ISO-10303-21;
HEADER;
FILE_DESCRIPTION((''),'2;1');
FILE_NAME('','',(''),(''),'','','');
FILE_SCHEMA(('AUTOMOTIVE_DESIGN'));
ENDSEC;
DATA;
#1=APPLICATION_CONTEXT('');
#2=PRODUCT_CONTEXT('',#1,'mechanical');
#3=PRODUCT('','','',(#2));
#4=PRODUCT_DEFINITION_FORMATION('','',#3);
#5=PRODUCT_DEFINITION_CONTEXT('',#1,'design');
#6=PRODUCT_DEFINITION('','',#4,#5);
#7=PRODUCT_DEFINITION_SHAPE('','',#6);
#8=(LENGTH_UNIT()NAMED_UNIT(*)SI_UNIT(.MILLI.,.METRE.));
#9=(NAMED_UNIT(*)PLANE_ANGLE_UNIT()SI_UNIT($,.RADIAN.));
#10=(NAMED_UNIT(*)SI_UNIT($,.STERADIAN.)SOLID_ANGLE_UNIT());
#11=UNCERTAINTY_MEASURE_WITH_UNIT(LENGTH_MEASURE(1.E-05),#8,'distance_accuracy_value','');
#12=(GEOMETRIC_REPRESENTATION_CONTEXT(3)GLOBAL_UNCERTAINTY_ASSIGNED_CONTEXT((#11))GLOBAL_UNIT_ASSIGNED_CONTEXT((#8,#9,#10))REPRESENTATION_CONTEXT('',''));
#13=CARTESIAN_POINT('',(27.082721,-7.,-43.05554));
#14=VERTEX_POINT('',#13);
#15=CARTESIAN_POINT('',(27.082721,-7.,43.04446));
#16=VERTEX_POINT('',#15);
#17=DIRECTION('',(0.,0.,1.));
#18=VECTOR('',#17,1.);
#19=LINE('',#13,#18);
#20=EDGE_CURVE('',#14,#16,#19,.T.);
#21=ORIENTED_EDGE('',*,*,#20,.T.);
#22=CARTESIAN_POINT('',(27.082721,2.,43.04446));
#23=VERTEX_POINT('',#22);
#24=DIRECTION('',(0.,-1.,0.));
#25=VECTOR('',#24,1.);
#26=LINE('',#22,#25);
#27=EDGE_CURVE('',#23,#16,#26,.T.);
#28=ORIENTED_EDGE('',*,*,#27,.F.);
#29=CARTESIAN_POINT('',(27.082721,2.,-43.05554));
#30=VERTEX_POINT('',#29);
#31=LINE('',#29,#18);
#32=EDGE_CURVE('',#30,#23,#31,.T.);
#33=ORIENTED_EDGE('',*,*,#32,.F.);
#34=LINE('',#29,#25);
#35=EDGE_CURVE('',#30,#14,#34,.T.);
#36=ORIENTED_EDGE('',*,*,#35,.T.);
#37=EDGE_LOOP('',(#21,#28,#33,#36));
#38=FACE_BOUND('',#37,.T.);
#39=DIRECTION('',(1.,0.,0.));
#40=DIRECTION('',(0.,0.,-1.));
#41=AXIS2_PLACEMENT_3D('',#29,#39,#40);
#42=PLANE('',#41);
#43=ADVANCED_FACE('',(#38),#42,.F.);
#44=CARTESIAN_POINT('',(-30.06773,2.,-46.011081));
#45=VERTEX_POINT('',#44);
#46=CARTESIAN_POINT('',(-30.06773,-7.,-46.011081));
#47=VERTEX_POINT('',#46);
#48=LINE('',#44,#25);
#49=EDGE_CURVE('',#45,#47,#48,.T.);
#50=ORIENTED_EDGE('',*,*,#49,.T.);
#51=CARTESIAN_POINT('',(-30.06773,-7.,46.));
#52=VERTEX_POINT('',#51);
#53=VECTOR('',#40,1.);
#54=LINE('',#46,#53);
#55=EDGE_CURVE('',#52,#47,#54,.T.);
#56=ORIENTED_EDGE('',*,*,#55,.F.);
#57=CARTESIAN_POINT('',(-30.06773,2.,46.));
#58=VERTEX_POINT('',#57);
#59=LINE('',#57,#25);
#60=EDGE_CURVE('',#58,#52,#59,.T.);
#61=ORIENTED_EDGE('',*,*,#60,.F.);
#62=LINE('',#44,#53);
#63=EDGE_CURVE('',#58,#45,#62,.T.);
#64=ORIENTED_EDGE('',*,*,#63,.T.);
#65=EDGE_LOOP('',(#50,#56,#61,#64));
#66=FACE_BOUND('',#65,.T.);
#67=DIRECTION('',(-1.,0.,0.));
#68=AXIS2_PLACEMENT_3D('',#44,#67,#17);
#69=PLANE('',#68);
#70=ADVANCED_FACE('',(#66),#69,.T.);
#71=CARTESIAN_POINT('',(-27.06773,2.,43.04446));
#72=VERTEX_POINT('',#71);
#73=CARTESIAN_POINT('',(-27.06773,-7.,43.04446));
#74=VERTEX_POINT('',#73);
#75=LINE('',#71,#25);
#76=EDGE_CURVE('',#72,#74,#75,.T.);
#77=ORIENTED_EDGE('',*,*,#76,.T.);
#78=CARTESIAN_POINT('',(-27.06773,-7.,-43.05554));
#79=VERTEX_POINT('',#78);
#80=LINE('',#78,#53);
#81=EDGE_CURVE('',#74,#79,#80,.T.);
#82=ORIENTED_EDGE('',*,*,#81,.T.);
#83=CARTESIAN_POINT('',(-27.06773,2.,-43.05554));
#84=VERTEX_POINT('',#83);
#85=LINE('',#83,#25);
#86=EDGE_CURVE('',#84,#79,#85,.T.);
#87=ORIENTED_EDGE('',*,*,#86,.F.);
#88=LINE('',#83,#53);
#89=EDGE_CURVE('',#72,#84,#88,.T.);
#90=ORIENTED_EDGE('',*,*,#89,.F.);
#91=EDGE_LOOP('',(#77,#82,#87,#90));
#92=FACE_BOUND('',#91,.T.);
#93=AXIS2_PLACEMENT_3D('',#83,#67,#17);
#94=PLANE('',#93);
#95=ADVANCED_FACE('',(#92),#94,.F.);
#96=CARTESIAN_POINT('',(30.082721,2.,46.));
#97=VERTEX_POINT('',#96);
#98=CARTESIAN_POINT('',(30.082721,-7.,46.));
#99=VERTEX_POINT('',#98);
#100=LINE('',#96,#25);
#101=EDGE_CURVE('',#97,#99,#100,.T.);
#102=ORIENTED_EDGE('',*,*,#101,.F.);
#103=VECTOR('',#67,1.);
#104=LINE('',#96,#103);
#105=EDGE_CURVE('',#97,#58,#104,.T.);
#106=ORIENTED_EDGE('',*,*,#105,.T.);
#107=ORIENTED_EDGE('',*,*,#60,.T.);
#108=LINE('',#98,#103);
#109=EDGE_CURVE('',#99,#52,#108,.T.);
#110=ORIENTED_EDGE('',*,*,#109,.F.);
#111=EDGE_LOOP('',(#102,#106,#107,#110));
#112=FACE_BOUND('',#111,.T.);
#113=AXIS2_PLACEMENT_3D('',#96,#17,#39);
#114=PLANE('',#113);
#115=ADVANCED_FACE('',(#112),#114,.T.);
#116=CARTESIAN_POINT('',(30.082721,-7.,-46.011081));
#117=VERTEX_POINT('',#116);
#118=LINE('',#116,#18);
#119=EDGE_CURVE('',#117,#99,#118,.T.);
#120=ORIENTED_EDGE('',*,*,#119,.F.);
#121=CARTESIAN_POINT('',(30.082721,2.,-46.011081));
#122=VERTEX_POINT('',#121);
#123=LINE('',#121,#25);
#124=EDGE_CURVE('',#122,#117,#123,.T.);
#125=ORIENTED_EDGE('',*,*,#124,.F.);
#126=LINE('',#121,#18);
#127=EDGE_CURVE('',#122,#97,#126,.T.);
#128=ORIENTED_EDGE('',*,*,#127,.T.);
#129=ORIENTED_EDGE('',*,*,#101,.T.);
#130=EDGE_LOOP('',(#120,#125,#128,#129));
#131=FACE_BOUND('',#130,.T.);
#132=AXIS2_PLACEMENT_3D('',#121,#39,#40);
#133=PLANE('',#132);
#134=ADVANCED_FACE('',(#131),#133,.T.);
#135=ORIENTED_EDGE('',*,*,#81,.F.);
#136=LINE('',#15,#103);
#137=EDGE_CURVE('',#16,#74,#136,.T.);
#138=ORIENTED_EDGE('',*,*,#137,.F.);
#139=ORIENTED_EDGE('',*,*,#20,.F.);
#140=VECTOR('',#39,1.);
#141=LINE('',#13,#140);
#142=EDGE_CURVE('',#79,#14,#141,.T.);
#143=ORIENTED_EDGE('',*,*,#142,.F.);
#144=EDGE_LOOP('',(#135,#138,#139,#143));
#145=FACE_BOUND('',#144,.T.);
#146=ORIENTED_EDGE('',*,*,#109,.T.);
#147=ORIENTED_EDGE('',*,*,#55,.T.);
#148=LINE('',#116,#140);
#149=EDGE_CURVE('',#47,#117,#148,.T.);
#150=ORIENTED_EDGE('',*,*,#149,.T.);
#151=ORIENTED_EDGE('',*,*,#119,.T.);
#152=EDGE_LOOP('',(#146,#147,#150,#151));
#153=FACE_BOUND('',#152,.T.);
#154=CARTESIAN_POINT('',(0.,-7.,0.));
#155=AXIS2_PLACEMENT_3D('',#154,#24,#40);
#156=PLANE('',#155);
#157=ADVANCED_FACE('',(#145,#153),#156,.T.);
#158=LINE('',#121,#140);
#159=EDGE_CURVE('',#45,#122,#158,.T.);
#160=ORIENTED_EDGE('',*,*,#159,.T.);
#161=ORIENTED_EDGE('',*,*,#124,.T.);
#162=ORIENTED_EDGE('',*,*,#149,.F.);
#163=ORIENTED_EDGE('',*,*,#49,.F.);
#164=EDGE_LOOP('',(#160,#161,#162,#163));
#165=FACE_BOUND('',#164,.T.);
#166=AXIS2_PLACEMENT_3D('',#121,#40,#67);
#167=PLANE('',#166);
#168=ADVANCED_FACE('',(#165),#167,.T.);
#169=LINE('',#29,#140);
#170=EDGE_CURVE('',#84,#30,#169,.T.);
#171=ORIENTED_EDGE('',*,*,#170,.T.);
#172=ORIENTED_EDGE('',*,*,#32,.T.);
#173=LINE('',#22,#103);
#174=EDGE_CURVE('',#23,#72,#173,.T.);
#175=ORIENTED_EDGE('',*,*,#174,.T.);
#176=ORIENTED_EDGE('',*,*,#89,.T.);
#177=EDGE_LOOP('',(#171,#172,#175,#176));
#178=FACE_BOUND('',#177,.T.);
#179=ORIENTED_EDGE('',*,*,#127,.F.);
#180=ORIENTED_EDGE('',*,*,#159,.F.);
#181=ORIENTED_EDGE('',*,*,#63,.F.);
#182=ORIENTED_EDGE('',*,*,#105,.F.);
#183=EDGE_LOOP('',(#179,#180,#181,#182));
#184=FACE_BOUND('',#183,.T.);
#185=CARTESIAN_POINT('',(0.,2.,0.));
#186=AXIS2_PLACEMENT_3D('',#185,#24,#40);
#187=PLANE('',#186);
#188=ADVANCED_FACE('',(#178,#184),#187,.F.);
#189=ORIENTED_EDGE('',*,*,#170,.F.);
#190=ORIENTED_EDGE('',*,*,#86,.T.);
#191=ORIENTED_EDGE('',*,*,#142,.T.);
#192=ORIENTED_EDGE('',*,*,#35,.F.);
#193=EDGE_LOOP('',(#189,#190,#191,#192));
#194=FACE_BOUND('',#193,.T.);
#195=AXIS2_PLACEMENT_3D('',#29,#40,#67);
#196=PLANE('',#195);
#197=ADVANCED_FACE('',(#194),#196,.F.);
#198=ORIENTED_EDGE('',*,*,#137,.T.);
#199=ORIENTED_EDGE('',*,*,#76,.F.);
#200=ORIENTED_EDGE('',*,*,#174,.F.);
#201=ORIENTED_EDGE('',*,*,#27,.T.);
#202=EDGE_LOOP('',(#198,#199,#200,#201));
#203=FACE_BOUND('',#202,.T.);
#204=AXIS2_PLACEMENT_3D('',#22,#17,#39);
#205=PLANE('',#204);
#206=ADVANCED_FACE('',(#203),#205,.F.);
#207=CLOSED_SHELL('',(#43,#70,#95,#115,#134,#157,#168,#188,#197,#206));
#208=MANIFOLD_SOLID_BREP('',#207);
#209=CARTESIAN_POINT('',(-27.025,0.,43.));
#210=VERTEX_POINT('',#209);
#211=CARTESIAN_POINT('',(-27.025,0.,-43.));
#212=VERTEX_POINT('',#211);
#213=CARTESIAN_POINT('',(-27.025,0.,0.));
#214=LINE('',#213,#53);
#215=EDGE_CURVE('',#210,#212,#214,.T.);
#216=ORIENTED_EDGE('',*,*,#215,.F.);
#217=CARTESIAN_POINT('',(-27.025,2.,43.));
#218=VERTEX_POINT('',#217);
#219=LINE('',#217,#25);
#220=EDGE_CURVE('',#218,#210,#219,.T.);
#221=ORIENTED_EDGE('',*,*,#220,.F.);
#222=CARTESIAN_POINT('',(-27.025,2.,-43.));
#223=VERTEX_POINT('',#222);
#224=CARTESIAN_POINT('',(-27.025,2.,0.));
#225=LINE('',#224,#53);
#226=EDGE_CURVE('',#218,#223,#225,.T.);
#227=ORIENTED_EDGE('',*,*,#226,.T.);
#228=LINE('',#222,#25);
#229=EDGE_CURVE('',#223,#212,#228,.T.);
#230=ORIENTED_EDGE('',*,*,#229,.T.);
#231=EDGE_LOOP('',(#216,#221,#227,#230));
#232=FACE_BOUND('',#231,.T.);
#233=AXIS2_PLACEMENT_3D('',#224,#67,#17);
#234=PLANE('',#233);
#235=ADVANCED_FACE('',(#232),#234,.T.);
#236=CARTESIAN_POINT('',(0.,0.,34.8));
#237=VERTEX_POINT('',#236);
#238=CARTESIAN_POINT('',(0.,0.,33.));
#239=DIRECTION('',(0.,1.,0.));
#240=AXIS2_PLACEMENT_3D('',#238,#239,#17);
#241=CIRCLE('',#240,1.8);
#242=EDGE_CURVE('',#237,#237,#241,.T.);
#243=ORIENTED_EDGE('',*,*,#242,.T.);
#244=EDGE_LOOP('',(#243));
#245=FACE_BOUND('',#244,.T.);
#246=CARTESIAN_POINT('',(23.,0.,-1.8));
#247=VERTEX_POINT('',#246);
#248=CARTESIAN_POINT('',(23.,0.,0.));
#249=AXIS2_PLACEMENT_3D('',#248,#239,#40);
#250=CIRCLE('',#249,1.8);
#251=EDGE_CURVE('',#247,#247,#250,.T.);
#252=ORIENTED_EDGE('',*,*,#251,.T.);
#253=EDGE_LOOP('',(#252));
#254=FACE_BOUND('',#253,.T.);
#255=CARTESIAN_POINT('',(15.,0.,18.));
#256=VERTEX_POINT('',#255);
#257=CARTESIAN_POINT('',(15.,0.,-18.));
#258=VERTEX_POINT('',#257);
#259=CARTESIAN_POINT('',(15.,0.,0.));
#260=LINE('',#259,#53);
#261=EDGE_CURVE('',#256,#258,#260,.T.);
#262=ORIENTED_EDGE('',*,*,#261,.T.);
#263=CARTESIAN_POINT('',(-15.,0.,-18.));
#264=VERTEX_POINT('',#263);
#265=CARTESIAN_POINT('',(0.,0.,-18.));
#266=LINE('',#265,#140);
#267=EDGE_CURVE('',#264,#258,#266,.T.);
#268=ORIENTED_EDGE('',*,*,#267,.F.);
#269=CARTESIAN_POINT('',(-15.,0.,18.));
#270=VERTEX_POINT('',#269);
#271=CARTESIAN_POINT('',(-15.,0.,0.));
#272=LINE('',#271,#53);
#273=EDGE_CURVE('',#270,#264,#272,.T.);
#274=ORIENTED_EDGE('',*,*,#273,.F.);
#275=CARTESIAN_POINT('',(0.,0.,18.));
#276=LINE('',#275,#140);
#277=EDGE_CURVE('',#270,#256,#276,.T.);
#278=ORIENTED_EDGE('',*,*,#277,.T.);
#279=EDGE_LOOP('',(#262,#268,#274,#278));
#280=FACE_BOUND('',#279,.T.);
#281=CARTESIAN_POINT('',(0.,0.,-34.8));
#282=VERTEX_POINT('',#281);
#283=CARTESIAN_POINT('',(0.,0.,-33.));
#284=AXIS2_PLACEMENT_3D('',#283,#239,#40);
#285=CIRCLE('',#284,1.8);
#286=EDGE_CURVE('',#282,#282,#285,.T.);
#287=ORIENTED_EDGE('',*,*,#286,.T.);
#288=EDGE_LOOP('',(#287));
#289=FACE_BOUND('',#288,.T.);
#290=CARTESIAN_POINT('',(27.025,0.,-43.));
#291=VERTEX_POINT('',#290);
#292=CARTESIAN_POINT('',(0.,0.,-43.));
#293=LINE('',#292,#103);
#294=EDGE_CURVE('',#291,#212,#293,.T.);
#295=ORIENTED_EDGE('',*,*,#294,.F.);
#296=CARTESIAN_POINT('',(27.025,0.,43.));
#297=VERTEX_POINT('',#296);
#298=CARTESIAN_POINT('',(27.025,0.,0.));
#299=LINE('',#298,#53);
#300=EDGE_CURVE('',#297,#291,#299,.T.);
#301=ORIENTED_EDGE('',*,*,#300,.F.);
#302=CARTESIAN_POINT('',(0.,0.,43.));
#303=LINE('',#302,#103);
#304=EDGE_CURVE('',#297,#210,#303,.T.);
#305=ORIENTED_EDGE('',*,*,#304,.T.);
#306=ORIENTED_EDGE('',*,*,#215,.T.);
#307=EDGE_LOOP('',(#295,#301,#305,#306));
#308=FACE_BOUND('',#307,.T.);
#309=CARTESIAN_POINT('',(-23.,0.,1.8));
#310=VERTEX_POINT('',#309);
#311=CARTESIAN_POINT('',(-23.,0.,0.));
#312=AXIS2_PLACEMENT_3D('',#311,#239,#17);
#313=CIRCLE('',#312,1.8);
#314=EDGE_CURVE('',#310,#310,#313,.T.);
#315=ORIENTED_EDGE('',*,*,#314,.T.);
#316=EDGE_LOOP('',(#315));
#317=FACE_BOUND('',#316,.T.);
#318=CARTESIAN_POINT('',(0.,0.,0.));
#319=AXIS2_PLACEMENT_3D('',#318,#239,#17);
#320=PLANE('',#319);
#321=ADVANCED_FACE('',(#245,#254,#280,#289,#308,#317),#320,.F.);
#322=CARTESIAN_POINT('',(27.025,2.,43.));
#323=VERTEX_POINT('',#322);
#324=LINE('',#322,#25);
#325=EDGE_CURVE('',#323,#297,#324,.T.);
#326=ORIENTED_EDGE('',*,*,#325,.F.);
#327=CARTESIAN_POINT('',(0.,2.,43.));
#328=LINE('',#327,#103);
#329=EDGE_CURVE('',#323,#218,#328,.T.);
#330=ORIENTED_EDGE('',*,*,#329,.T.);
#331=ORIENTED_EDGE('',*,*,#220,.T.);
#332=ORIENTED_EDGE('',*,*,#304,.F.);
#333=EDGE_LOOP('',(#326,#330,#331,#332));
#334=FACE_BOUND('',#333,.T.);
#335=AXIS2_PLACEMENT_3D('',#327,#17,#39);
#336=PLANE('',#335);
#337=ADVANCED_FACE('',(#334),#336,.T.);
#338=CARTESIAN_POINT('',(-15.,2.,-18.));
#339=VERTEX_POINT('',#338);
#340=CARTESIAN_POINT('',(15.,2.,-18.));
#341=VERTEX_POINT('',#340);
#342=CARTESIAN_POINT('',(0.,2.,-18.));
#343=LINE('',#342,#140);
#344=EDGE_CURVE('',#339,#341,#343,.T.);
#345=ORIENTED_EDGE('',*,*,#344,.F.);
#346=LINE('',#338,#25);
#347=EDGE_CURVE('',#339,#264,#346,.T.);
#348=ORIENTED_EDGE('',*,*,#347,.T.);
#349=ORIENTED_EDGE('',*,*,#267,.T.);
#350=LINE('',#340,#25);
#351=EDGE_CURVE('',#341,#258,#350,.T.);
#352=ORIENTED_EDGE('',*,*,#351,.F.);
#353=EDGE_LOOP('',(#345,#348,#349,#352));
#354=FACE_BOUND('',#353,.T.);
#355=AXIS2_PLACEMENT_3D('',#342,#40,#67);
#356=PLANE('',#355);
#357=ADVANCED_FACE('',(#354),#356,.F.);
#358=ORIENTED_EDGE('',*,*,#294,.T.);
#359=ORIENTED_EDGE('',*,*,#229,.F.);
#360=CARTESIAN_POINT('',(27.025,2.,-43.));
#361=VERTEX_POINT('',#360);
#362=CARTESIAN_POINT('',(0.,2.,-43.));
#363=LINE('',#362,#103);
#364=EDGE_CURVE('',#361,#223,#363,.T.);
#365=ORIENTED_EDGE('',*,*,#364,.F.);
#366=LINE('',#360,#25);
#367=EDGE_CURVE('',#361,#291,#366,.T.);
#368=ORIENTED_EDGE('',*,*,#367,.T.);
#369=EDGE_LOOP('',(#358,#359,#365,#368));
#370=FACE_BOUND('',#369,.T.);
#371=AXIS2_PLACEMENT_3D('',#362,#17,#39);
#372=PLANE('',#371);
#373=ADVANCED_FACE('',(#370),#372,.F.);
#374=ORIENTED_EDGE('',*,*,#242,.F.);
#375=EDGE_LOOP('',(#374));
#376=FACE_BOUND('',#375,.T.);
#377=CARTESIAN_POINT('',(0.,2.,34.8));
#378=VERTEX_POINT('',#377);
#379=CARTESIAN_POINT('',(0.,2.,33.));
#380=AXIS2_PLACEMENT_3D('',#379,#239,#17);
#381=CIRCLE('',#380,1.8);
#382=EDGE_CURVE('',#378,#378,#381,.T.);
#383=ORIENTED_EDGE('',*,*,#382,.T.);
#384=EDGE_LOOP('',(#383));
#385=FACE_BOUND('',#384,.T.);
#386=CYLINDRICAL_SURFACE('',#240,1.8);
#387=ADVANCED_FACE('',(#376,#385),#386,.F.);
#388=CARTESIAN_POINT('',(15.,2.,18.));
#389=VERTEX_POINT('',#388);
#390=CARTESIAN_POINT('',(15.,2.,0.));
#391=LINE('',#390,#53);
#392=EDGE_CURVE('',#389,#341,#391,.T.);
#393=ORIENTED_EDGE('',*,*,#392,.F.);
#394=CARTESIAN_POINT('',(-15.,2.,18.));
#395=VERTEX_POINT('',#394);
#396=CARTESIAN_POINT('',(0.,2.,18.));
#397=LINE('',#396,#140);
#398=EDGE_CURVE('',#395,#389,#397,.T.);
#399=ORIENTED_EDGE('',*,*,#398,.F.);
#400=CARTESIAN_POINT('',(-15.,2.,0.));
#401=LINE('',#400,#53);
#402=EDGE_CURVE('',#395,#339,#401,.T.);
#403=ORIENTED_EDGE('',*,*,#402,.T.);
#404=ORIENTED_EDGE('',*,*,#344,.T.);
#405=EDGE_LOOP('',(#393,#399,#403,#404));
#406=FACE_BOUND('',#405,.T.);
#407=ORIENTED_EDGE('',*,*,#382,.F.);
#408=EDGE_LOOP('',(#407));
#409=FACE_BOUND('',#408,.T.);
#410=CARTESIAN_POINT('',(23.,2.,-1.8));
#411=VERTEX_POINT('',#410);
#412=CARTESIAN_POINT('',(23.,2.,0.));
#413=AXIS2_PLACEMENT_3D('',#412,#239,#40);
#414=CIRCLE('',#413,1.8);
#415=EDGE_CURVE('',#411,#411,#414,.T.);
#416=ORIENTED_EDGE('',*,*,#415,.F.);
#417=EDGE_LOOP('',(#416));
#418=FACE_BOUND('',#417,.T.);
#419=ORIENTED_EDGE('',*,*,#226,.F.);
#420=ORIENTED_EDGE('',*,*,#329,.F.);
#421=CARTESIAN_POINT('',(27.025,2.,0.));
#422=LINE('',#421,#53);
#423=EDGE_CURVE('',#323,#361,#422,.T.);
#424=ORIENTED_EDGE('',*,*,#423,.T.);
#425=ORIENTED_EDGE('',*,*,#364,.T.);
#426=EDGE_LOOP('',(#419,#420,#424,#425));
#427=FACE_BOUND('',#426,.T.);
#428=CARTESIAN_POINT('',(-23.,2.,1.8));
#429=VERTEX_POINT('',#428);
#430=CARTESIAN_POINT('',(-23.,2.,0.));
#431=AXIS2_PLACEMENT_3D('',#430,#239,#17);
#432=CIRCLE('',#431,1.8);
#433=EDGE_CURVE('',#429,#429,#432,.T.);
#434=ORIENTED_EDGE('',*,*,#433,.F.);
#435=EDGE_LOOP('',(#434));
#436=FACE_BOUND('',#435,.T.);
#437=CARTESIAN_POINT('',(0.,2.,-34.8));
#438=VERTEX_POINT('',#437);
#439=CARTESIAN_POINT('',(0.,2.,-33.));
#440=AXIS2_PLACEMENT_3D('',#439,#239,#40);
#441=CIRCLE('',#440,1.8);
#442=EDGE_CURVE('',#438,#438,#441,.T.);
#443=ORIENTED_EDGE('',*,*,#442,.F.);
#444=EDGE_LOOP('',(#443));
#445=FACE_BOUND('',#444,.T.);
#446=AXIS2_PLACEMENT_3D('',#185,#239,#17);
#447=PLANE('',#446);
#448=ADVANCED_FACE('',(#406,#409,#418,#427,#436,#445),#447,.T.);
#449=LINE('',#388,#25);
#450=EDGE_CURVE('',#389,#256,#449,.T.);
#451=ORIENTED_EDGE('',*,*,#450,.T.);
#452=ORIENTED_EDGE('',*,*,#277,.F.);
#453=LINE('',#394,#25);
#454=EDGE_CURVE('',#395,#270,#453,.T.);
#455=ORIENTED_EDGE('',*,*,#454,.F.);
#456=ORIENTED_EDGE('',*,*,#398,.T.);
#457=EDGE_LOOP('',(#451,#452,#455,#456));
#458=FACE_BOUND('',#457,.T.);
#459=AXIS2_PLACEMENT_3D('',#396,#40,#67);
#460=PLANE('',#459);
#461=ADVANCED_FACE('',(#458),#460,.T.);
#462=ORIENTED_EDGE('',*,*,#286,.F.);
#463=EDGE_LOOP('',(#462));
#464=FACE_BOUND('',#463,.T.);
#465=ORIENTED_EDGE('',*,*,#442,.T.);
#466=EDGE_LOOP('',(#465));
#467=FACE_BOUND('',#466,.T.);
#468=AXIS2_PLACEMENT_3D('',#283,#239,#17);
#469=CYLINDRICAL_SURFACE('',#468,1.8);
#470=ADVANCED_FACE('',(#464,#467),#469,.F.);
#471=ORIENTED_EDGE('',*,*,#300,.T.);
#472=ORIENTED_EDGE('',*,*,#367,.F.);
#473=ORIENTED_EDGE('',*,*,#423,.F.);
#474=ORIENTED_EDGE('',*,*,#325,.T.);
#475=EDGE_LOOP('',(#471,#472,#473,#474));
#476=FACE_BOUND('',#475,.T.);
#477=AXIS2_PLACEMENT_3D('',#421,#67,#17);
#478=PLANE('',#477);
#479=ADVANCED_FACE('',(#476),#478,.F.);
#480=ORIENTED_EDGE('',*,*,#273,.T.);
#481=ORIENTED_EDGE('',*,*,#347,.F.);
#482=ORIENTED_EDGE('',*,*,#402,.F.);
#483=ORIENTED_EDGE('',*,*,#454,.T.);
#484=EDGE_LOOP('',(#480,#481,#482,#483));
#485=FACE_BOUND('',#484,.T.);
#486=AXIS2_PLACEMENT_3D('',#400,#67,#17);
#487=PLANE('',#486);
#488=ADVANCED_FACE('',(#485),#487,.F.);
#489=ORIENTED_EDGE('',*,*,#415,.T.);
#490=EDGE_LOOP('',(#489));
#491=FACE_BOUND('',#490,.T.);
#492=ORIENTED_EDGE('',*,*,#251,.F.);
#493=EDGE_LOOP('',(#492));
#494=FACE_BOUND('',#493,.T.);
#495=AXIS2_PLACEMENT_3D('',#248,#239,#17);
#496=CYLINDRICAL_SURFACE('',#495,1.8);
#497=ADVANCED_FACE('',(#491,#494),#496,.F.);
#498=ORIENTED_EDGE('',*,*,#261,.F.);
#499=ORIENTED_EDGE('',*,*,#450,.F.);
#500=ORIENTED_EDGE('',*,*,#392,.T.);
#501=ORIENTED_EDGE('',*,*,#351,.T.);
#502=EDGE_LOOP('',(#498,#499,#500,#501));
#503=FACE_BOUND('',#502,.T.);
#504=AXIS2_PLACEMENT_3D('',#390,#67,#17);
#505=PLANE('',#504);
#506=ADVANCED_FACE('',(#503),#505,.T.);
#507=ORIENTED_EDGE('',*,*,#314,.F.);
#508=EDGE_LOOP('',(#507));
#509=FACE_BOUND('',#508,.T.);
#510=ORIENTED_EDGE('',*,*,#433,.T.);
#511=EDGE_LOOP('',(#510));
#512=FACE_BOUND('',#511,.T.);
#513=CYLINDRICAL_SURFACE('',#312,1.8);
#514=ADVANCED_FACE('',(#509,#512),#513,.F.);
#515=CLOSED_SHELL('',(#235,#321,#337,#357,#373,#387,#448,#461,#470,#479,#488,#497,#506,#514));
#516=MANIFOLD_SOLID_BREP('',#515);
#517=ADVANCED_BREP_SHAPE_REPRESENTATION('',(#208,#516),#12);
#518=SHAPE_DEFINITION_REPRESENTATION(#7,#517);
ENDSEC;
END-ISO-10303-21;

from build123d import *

# Parameters (mm, degrees)
SKETCH1_W                = 54.05
SKETCH1_H                = 86
SKETCH1_W_2              = 30
SKETCH1_H_2              = 36
BOSS_EXTRUDE1_DEPTH      = 2
BOSS_EXTRUDE2_DEPTH      = 7
BOSS_EXTRUDE2_DEPTH_BACK = 2
SKETCH2_W                = 60.15045032
SKETCH2_H                = 92.011080655
SKETCH2_W_2              = 54.15045032
SKETCH2_H_2              = 86.1
SKETCH3_R                = 1.8
CUT_EXTRUDE1_DEPTH       = 2


with BuildPart() as part:
    # Sketch1 → Boss-Extrude1 (new body)
    with BuildSketch(Plane(origin=(0, 0, 0), x_dir=(1, 0, 0), z_dir=(0, 1, 0))):
        Rectangle(SKETCH1_W, SKETCH1_H)
        Rectangle(SKETCH1_W_2, SKETCH1_H_2, mode=Mode.SUBTRACT)
    extrude(amount=BOSS_EXTRUDE1_DEPTH)

    # Sketch3 → Cut-Extrude1 (cut)
    with BuildSketch(Plane(origin=(0, 2, 0), x_dir=(1, 0, 0), z_dir=(0, 1, 0))):
        with Locations(Location((0, -33, 0), (0, 0, 270))):
            Circle(SKETCH3_R)
        with Locations(Location((-23, 0, 0), (0, 0, 270))):
            Circle(SKETCH3_R)
        with Locations(Location((0, 33, 0), (0, 0, 90))):
            Circle(SKETCH3_R)
        with Locations(Location((23, 0, 0), (0, 0, 90))):
            Circle(SKETCH3_R)
    extrude(amount=-CUT_EXTRUDE1_DEPTH, mode=Mode.SUBTRACT)


with BuildPart() as body_2:
    # Sketch2 → Boss-Extrude2 (new, two sides: drawn at the far end of the back side and taken through both)
    with BuildSketch(Plane.XZ.offset(-BOSS_EXTRUDE2_DEPTH_BACK)):
        with Locations((0.007495436, -0.005540328)):
            Rectangle(SKETCH2_W, SKETCH2_H)
        with Locations((0.007495436, -0.005540327)):
            Rectangle(SKETCH2_W_2, SKETCH2_H_2, mode=Mode.SUBTRACT)
    extrude(amount=BOSS_EXTRUDE2_DEPTH + BOSS_EXTRUDE2_DEPTH_BACK)


solid = Compound([part.part, body_2.part])
